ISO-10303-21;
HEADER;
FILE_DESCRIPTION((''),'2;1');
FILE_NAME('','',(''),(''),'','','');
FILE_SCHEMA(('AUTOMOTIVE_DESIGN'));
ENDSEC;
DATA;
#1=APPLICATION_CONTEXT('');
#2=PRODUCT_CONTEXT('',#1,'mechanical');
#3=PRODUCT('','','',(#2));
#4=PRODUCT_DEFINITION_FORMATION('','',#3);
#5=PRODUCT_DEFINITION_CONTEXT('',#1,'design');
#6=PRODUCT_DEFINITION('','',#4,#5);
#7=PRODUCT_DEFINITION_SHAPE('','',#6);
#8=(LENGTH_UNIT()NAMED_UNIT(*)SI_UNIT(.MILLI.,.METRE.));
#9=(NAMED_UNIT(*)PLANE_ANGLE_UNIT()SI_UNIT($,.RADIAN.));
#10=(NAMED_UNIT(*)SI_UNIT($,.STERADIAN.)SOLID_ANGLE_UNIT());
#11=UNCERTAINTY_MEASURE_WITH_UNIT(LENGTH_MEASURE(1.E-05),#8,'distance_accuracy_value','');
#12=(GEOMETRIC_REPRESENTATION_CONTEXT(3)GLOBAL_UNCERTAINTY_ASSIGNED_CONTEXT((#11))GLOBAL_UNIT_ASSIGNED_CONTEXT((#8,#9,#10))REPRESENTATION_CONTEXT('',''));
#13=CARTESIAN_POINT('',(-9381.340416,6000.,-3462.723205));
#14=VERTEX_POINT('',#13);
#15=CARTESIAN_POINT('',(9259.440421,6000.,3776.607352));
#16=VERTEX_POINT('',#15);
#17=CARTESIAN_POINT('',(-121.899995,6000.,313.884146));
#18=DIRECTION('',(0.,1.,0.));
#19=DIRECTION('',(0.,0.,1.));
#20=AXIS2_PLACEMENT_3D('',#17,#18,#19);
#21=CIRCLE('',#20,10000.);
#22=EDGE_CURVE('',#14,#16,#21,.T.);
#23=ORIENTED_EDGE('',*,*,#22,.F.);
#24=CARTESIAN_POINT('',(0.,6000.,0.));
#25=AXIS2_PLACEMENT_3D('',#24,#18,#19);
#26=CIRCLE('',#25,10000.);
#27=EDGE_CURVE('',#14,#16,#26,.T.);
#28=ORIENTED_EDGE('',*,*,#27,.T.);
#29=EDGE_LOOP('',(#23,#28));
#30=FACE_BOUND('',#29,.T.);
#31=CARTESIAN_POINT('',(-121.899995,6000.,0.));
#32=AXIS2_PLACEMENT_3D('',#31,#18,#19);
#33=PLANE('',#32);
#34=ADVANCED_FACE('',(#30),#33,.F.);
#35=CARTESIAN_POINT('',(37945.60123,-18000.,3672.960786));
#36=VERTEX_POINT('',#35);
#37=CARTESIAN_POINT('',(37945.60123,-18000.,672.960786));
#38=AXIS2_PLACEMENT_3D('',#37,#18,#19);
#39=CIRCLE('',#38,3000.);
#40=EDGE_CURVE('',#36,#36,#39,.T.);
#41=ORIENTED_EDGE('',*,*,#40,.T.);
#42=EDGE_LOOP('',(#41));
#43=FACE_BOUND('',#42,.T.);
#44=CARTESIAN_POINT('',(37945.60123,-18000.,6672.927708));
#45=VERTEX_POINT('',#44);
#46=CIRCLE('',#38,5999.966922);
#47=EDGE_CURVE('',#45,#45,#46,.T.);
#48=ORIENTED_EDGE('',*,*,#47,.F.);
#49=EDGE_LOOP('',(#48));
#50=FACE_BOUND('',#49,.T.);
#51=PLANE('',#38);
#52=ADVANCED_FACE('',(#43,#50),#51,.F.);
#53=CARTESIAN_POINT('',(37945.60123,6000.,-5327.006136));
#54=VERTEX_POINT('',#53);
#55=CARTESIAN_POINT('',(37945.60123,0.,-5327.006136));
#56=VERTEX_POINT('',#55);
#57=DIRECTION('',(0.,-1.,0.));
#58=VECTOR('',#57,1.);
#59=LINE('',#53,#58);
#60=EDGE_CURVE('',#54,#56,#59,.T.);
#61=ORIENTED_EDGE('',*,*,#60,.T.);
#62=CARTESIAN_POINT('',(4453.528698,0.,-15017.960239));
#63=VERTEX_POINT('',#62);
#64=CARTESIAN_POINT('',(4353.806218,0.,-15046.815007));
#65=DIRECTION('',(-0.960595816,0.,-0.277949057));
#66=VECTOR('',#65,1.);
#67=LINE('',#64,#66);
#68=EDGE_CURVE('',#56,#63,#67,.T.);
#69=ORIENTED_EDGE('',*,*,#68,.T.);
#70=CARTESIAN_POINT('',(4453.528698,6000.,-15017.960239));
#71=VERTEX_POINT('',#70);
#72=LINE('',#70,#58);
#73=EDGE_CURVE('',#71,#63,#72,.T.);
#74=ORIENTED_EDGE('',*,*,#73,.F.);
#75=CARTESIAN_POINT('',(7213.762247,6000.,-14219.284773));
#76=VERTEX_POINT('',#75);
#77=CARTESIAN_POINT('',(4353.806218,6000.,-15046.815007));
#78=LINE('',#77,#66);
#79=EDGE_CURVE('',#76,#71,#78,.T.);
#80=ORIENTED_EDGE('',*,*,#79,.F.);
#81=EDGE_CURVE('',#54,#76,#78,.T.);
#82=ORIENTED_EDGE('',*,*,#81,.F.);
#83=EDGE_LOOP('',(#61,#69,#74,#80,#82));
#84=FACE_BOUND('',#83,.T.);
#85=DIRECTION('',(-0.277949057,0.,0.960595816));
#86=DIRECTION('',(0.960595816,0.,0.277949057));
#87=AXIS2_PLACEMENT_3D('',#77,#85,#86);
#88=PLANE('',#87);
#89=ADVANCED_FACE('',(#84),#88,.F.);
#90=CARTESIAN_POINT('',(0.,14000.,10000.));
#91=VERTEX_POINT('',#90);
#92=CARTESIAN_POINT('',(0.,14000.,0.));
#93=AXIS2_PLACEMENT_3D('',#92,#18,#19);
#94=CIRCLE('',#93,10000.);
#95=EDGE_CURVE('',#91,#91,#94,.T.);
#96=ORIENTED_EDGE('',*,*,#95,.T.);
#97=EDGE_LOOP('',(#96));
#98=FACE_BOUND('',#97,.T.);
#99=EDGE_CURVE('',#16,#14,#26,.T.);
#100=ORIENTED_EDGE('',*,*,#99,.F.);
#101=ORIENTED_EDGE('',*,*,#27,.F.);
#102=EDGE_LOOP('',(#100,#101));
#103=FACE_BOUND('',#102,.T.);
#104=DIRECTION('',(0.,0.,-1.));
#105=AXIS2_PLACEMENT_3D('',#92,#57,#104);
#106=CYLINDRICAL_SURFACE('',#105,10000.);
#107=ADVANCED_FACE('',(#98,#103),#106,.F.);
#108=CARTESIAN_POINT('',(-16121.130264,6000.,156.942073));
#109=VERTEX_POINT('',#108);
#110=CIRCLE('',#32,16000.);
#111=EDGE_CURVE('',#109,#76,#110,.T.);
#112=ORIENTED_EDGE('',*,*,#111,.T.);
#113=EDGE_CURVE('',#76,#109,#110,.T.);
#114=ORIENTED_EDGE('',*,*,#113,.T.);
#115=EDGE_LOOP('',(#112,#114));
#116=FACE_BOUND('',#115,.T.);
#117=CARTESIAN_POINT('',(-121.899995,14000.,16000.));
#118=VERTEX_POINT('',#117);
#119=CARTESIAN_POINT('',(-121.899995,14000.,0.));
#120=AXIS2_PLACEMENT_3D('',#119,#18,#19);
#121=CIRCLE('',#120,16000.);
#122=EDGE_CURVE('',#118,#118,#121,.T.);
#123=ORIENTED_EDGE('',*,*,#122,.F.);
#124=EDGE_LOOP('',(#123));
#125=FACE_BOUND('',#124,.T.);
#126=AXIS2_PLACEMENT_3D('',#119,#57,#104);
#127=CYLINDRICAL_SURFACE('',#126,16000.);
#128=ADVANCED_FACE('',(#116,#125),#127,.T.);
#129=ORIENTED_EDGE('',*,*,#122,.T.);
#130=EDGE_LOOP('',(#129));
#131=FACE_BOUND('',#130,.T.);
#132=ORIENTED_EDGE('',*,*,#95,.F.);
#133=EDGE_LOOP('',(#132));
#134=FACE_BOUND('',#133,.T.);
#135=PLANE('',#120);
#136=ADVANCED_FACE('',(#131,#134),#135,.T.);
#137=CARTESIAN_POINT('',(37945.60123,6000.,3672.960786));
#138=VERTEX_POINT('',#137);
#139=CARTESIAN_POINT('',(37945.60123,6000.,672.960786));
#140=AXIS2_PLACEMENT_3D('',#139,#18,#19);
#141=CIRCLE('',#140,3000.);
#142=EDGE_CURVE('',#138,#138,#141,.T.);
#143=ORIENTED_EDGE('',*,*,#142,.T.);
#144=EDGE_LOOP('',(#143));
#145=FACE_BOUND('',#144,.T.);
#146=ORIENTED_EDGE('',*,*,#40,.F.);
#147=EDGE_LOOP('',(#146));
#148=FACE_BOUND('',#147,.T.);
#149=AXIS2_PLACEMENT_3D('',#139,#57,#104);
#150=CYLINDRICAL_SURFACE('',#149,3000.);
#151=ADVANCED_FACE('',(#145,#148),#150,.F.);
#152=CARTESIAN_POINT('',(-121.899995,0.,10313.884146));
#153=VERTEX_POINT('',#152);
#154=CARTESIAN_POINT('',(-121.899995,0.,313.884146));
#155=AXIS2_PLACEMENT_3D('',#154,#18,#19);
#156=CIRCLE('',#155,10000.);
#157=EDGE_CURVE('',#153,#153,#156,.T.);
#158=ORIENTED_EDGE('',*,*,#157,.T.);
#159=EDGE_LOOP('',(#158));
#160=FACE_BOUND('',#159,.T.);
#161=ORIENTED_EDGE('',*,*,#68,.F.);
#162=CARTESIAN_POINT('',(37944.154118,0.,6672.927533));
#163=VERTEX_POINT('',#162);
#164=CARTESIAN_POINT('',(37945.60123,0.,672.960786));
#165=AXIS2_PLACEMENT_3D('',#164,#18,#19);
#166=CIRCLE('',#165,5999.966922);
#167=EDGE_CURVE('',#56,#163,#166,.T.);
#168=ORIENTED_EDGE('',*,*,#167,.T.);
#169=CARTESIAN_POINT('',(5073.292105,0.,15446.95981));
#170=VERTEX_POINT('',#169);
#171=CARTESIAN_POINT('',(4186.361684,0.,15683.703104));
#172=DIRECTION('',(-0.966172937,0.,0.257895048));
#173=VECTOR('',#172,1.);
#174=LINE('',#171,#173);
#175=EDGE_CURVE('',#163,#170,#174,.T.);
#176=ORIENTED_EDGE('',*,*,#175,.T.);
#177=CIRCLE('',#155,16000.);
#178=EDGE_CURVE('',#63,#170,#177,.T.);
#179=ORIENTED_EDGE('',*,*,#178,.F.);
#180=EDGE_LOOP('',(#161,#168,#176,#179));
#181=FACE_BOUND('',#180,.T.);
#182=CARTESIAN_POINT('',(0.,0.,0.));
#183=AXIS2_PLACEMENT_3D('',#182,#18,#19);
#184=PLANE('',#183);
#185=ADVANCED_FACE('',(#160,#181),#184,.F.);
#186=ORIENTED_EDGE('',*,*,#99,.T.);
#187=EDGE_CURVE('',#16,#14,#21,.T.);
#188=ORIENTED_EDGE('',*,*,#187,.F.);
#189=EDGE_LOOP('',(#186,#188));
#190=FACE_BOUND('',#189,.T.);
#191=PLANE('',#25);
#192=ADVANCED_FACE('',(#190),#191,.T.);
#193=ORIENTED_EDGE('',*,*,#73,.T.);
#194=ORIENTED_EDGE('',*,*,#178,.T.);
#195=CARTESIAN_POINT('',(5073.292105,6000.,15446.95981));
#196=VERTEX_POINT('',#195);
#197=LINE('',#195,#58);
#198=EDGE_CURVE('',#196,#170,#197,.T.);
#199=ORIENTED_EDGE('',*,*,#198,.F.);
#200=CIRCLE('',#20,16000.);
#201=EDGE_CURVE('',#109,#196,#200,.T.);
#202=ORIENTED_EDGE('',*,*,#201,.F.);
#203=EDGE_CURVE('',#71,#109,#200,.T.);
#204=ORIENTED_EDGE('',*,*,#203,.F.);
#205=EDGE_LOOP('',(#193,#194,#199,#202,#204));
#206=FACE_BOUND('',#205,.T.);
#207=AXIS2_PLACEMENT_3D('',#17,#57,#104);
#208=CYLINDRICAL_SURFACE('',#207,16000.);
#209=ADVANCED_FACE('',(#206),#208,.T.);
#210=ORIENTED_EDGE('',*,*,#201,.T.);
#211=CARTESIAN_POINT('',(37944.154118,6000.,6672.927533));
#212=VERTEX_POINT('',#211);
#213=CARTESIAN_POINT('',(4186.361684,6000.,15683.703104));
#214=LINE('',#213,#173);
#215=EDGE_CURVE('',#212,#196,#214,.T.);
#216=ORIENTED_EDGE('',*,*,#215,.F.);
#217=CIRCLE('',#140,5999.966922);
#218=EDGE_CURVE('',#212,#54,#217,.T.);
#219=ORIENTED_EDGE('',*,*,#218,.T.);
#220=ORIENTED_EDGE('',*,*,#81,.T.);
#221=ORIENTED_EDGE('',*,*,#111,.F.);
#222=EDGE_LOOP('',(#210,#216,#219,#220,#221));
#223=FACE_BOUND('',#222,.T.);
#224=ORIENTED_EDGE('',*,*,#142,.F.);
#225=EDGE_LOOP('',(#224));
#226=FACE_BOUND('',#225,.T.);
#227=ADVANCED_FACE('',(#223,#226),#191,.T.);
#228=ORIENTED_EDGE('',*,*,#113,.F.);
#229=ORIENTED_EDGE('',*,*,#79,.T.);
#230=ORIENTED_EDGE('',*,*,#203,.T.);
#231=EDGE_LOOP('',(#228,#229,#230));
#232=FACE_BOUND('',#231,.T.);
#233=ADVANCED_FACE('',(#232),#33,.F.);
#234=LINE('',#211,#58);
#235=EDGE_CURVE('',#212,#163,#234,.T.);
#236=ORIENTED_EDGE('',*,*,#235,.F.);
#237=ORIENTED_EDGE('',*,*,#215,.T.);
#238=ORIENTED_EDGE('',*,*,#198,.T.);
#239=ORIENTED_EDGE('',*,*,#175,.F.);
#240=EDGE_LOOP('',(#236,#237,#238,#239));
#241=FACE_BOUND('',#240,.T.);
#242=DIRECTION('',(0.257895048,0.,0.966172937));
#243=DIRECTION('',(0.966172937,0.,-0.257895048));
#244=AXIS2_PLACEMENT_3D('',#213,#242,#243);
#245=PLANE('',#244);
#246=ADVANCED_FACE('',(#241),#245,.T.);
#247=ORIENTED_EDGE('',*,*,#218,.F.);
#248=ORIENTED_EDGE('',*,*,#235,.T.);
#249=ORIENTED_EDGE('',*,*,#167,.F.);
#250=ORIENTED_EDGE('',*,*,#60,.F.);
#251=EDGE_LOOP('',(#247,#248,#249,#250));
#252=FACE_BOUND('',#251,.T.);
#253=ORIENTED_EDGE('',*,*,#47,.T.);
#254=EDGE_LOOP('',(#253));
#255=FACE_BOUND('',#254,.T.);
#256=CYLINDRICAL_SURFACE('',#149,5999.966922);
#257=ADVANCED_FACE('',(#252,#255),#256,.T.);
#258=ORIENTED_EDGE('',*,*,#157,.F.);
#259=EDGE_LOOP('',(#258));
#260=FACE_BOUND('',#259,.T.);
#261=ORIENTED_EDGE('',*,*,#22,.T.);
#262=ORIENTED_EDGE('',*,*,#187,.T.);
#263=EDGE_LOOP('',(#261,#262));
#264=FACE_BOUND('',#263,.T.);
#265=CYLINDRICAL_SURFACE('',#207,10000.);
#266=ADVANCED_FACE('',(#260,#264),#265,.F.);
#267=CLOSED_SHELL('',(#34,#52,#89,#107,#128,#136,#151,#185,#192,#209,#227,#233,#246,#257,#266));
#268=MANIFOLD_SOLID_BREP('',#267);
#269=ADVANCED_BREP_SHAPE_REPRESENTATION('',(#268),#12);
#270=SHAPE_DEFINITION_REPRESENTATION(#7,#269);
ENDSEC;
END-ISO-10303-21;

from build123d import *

# Parameters (mm, degrees)
SKETCH2_R            = 3000.000000003
SKETCH2_R_2          = 10000
BOSS_EXTRUDE8_DEPTH  = 6000
SKETCH8_R            = 16000
SKETCH8_R_2          = 10000
BOSS_EXTRUDE9_DEPTH  = 8000
BOSS_EXTRUDE10_START = -24000
SKETCH13_R           = 5999.966921828
SKETCH13_R_2         = 3000.000000003
BOSS_EXTRUDE10_DEPTH = 24000


with BuildPart() as part:
    # Sketch2 → Boss-Extrude8 (new body)
    with BuildSketch(Plane(origin=(0, 0, 0), x_dir=(1, 0, 0), z_dir=(0, 1, 0))):
        with BuildLine():
            Line((5073.292105113, -15446.959810122), (37944.154117519, -6672.927533003))
            ThreePointArc((37944.154117519, -6672.927533003), (43945.568107908, -673.684341785), (37945.601229707, 5327.006136143))
            Line((37945.601229707, 5327.00613614), (4453.528698309, 15017.960239361))
            ThreePointArc((4453.528698309, 15017.960239361), (-16118.590155227, -639.312973304), (5073.292105113, -15446.959810122))
        make_face()
        with Locations(Location((37945.601229707, -672.960785686, 0), (0, 0, 270))):
            Circle(SKETCH2_R, mode=Mode.SUBTRACT)
        with Locations(Location((-121.899995114, -313.884146472, 0), (0, 0, 270))):
            Circle(SKETCH2_R_2, mode=Mode.SUBTRACT)
    extrude(amount=BOSS_EXTRUDE8_DEPTH)

    # Sketch8 → Boss-Extrude9 (add)
    with BuildSketch(Plane(origin=(0, 6000, 0), x_dir=(1, 0, 0), z_dir=(0, 1, 0))):
        with Locations(Location((-121.899995114, 0, 0), (0, 0, 62.711003457))):
            Circle(SKETCH8_R)
        with Locations(Location((0, 0, 0), (0, 0, 159.740517699))):
            Circle(SKETCH8_R_2, mode=Mode.SUBTRACT)
    extrude(amount=BOSS_EXTRUDE9_DEPTH)

    # Sketch13 → Boss-Extrude10 (add)
    with BuildSketch(Plane(origin=(0, 6000, 0), x_dir=(1, 0, 0), z_dir=(0, 1, 0)).offset(BOSS_EXTRUDE10_START)):
        with Locations(Location((37945.601229707, -672.960785686, 0), (0, 0, 90))):
            Circle(SKETCH13_R)
        with Locations(Location((37945.601229707, -672.960785686, 0), (0, 0, 270))):
            Circle(SKETCH13_R_2, mode=Mode.SUBTRACT)
    extrude(amount=BOSS_EXTRUDE10_DEPTH)


solid = part.part
